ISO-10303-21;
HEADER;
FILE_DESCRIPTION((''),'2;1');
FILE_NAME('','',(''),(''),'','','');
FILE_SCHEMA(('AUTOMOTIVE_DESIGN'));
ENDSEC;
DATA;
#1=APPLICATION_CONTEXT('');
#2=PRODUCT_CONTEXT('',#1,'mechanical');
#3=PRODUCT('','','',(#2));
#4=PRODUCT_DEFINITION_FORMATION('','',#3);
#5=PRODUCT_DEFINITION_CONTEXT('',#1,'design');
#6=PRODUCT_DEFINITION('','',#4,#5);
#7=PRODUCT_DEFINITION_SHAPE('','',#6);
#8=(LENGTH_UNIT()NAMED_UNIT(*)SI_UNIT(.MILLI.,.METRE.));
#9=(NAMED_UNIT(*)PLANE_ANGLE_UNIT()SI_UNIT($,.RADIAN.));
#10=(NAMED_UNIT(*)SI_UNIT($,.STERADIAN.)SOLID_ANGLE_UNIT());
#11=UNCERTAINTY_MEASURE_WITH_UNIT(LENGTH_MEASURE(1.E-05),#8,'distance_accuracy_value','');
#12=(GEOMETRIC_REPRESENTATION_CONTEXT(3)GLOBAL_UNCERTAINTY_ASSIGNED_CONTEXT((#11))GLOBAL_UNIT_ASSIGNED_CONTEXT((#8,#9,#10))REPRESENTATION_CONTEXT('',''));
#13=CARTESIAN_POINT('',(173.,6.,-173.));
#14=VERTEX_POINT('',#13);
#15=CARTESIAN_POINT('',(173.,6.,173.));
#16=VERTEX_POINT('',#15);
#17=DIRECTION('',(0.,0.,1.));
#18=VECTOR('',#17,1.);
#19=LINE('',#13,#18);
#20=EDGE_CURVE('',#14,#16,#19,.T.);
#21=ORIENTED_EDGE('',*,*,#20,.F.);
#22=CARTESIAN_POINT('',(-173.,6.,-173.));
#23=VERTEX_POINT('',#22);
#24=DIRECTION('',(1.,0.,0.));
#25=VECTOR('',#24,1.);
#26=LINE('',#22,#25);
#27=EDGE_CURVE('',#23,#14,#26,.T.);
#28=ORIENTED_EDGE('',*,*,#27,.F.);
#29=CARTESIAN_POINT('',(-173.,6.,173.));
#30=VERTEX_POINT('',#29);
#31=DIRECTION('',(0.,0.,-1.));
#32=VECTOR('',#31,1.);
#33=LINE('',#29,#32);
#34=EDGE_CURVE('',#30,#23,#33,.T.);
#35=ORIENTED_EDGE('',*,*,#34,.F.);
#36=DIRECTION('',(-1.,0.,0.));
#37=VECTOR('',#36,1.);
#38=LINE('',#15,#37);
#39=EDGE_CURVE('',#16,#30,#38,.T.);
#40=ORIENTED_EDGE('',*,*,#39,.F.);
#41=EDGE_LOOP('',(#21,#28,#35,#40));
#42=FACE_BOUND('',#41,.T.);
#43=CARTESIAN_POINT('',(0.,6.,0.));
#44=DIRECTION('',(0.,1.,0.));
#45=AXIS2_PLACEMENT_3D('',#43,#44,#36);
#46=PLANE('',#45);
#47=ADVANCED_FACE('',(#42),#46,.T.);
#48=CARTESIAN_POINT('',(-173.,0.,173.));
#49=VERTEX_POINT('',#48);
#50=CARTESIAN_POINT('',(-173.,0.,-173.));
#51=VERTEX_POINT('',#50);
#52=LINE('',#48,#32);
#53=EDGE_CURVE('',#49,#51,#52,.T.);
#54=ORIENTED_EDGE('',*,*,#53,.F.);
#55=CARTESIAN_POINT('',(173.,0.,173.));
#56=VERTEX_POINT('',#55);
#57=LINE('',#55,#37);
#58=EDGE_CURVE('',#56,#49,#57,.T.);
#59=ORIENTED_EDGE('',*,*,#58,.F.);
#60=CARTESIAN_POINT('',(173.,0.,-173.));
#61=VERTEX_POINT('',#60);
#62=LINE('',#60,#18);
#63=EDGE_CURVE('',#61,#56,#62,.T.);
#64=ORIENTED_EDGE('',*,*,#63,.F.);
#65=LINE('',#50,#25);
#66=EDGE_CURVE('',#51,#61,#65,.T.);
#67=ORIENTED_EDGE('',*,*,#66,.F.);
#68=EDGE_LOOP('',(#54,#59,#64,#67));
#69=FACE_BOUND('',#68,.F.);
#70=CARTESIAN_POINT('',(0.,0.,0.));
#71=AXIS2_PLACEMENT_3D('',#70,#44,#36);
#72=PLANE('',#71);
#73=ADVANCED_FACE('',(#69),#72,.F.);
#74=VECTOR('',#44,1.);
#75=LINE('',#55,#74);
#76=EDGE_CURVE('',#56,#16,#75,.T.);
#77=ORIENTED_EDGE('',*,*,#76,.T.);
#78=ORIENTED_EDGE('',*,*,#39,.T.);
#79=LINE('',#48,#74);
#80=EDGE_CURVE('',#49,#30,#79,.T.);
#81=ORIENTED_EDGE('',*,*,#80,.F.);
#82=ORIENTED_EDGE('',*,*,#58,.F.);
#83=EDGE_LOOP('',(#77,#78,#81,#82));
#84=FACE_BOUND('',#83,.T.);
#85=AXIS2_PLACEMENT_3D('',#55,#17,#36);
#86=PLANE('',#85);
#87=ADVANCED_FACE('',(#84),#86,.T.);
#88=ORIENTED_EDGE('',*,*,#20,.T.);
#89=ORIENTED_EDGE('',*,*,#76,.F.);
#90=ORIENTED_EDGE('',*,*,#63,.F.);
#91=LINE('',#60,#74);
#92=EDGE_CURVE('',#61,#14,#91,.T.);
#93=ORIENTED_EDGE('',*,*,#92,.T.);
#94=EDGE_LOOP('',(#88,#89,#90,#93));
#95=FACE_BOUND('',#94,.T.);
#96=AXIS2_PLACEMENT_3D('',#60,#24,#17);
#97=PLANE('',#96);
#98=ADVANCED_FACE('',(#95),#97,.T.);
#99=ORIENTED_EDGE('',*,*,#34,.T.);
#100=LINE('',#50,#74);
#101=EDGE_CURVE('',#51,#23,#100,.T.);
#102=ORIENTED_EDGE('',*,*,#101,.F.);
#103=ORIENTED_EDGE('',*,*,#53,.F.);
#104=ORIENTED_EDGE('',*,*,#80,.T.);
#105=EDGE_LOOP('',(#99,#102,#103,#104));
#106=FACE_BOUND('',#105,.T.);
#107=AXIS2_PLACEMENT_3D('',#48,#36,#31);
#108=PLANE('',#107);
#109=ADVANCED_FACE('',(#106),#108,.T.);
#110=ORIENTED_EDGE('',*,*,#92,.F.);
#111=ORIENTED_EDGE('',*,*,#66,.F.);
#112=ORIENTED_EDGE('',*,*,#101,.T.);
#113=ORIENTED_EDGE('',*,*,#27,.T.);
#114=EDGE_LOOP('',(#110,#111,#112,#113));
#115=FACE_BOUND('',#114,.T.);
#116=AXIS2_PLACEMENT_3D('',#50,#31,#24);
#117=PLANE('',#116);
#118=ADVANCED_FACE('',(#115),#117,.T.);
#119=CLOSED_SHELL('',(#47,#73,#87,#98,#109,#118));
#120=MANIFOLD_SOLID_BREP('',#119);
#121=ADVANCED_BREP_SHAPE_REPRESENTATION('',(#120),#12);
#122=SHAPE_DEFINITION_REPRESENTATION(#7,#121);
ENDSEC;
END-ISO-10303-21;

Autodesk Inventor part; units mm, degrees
ref_plane "YZ Plane" through (0, 0, 0) normal (1, 0, 0) x (0, 1, 0)
ref_plane "XZ Plane" through (0, 0, 0) normal (0, 1, 0) x (-1, 0, 0)
ref_plane "XY Plane" through (0, 0, 0) normal (0, 0, 1) x (1, 0, 0)
sketch "Skizze1" plane through (0, 0, 0) normal (0, 1, 0) x (-1, 0, 0)
  line L0 (173, -173) -> (-173, -173)
  line L1 (-173, -173) -> (-173, 173)
  line L2 (-173, 173) -> (173, 173)
  line L3 (173, 173) -> (173, -173)
  line L4 (173, -173) -> (-173, 173) construction
  line L5 (-173, -173) -> (173, 173) construction
  point P0 (0, 0)
  dimension "d0" = 346
  dimension "d1" = 346
extrude "Extrusion1" add sketch "Skizze1" along normal blind 6
properties part number "Platte6mm"
